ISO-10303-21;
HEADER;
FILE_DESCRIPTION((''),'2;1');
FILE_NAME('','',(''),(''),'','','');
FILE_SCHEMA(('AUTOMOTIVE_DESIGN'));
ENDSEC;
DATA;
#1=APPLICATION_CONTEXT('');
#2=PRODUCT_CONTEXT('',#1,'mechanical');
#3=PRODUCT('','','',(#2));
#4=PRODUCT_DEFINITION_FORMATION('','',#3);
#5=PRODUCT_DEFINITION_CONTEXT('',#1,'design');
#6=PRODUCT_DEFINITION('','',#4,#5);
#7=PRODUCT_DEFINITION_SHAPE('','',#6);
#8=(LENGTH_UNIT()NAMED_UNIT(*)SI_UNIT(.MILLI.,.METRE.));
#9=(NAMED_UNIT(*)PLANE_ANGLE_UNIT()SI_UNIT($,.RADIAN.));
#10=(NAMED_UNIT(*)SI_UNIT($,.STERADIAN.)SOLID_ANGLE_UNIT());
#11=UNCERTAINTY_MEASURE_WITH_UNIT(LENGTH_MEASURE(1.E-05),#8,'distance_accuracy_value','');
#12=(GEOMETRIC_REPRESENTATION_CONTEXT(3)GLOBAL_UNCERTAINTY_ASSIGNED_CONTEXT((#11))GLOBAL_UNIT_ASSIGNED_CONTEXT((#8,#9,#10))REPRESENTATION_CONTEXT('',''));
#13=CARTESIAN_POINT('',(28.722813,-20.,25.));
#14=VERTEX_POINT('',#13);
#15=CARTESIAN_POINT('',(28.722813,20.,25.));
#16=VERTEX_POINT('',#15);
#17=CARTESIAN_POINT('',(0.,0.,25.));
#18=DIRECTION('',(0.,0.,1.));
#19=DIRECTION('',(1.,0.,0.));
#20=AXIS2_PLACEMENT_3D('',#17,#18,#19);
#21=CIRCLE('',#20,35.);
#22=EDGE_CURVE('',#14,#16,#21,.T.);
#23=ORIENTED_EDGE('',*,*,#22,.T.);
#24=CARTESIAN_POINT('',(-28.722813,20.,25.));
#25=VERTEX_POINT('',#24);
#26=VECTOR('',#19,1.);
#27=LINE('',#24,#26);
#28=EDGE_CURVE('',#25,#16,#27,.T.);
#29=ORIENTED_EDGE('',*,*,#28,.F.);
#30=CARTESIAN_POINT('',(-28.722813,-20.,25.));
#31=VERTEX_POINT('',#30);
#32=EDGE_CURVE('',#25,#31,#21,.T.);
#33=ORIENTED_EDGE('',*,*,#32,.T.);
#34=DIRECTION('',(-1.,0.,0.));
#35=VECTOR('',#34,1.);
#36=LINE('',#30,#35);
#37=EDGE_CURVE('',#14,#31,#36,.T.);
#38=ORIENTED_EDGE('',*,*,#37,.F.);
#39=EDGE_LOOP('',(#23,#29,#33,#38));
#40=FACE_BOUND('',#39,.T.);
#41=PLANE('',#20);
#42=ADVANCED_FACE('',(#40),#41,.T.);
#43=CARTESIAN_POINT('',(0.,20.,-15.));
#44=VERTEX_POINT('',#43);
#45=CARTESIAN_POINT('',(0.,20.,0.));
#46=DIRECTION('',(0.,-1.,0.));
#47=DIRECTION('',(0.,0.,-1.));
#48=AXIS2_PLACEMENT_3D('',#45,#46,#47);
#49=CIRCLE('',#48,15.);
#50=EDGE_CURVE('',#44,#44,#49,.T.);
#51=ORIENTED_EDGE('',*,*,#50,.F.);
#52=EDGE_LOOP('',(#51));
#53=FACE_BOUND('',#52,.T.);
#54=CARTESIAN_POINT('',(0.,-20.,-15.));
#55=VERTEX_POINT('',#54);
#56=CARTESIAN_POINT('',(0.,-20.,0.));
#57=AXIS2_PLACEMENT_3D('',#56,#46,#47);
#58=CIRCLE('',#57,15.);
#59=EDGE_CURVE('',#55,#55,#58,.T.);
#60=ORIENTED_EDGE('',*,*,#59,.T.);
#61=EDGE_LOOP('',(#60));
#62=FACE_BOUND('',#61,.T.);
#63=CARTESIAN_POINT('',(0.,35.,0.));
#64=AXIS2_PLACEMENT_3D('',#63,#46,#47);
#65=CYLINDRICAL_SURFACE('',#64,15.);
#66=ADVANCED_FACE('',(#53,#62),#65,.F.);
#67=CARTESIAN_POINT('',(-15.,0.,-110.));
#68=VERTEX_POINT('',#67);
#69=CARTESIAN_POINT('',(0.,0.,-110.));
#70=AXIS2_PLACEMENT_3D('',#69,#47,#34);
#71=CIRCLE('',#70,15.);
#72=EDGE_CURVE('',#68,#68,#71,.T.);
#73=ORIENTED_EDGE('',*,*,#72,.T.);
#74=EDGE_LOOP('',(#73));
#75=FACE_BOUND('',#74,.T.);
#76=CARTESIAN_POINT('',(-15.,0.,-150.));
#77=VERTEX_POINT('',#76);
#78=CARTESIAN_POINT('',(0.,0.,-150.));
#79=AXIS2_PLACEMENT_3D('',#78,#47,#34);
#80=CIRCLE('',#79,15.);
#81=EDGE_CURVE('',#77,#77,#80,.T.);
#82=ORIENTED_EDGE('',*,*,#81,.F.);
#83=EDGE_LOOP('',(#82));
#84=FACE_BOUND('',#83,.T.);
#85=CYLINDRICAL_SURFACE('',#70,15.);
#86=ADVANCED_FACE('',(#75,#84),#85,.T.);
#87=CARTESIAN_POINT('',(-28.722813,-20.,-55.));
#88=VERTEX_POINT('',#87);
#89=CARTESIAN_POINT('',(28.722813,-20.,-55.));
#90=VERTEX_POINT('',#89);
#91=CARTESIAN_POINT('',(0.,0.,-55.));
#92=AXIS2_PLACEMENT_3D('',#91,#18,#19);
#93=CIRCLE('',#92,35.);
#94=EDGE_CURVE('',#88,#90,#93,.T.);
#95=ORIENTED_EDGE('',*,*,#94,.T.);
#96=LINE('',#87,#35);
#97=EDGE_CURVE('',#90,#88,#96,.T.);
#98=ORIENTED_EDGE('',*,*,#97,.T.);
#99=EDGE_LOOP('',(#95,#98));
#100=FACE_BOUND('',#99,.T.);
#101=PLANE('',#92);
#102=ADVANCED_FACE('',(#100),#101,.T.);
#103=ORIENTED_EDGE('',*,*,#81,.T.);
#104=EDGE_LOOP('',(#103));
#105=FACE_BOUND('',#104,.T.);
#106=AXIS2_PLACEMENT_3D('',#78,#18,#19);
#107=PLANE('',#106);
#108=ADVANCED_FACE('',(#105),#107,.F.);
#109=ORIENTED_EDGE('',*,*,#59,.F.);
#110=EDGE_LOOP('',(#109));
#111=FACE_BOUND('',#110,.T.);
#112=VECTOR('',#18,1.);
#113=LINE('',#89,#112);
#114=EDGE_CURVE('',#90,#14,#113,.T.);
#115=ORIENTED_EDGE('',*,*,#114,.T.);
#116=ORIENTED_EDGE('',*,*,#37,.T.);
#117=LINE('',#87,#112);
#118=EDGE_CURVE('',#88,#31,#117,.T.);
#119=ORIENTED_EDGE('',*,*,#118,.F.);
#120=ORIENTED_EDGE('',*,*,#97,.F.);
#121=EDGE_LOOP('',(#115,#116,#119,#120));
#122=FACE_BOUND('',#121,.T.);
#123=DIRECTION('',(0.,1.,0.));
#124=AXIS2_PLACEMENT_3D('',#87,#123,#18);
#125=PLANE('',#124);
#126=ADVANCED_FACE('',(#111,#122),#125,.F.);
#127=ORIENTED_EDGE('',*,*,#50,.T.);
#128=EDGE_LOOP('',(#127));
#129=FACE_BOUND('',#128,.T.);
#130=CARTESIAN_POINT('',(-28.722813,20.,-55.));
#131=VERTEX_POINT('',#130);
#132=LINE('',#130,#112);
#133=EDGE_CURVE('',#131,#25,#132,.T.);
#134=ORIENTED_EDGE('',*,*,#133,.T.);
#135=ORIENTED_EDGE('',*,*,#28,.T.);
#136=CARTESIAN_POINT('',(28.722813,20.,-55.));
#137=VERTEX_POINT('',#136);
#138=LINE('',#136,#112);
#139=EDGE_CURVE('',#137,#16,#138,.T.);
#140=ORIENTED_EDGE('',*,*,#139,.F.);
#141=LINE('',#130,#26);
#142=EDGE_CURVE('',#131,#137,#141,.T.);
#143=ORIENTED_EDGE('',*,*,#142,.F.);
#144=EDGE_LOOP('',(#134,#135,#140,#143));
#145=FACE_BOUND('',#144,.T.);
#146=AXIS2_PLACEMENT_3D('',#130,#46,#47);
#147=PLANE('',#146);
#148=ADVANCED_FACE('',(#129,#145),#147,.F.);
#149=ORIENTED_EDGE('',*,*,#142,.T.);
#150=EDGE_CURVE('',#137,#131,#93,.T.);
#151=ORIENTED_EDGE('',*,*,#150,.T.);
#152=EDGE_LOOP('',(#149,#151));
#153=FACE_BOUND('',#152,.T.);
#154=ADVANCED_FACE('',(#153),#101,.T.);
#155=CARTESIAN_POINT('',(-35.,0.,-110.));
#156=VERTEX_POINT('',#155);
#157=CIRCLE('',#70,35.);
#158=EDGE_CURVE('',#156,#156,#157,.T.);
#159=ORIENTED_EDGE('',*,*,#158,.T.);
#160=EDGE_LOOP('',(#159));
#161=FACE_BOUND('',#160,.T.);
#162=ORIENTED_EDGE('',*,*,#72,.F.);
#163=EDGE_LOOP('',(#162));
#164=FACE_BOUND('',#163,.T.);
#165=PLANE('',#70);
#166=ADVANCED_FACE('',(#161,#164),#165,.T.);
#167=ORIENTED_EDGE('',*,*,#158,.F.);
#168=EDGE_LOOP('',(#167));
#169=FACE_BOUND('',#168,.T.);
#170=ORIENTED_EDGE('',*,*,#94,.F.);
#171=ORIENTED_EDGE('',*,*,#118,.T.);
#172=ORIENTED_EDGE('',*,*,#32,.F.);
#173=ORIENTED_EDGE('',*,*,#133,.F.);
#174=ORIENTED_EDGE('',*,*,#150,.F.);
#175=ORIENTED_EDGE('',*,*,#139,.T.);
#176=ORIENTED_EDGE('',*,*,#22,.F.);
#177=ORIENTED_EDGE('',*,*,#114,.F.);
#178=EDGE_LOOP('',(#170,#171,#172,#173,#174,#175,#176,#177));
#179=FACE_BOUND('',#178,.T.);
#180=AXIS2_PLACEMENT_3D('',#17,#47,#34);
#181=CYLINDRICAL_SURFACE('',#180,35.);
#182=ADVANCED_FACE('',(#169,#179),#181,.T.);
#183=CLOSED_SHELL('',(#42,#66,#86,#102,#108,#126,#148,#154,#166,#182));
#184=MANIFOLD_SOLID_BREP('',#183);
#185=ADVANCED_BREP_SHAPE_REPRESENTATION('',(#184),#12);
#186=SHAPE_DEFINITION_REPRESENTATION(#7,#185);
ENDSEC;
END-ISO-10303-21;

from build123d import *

# Parameters (mm, degrees)
BOSS_EXTRUDE2_DEPTH      = 25
BOSS_EXTRUDE2_DEPTH_BACK = 150
SKETCH3_R                = 35
SKETCH4_R                = 35
SKETCH4_R_2              = 15
CUT_EXTRUDE1_DEPTH       = 40
CUT_EXTRUDE2_START       = -80
CUT_EXTRUDE2_DEPTH       = 80
SKETCH7_R                = 15
CUT_EXTRUDE3_DEPTH       = 164.554272338


with BuildPart() as part:
    # Sketch3 → Boss-Extrude2 (new, two sides: drawn at the far end of the back side and taken through both)
    with BuildSketch(Plane.XY.offset(-BOSS_EXTRUDE2_DEPTH_BACK)):
        Circle(SKETCH3_R)
    extrude(amount=BOSS_EXTRUDE2_DEPTH + BOSS_EXTRUDE2_DEPTH_BACK)

    # Sketch4 → Cut-Extrude1 (cut)
    with BuildSketch(Plane(origin=(0, 0, -150), x_dir=(-1, 0, 0), z_dir=(0, 0, -1))):
        Circle(SKETCH4_R)
        Circle(SKETCH4_R_2, mode=Mode.SUBTRACT)
    extrude(amount=-CUT_EXTRUDE1_DEPTH, mode=Mode.SUBTRACT)

    # Sketch5 → Cut-Extrude2 (cut)
    with BuildSketch(Plane.XY.offset(25).offset(CUT_EXTRUDE2_START)):
        with BuildLine():
            Line((-28.722813233, 20), (28.722813233, 20))
            ThreePointArc((28.722813233, 20), (0, 35), (-28.722813233, 20))
        make_face()
        with BuildLine():
            Line((-28.722813233, -20), (28.722813233, -20))
            ThreePointArc((28.722813233, -20), (0, -35), (-28.722813233, -20))
        make_face()
    extrude(amount=CUT_EXTRUDE2_DEPTH, mode=Mode.SUBTRACT)

    # Sketch7 → Cut-Extrude3 (cut, through all)
    with BuildSketch(Plane.XZ.offset(20)):
        with Locations(Location((0, 0, 0), (0, 0, 270))):
            Circle(SKETCH7_R)
    extrude(amount=-CUT_EXTRUDE3_DEPTH, mode=Mode.SUBTRACT)


solid = part.part
